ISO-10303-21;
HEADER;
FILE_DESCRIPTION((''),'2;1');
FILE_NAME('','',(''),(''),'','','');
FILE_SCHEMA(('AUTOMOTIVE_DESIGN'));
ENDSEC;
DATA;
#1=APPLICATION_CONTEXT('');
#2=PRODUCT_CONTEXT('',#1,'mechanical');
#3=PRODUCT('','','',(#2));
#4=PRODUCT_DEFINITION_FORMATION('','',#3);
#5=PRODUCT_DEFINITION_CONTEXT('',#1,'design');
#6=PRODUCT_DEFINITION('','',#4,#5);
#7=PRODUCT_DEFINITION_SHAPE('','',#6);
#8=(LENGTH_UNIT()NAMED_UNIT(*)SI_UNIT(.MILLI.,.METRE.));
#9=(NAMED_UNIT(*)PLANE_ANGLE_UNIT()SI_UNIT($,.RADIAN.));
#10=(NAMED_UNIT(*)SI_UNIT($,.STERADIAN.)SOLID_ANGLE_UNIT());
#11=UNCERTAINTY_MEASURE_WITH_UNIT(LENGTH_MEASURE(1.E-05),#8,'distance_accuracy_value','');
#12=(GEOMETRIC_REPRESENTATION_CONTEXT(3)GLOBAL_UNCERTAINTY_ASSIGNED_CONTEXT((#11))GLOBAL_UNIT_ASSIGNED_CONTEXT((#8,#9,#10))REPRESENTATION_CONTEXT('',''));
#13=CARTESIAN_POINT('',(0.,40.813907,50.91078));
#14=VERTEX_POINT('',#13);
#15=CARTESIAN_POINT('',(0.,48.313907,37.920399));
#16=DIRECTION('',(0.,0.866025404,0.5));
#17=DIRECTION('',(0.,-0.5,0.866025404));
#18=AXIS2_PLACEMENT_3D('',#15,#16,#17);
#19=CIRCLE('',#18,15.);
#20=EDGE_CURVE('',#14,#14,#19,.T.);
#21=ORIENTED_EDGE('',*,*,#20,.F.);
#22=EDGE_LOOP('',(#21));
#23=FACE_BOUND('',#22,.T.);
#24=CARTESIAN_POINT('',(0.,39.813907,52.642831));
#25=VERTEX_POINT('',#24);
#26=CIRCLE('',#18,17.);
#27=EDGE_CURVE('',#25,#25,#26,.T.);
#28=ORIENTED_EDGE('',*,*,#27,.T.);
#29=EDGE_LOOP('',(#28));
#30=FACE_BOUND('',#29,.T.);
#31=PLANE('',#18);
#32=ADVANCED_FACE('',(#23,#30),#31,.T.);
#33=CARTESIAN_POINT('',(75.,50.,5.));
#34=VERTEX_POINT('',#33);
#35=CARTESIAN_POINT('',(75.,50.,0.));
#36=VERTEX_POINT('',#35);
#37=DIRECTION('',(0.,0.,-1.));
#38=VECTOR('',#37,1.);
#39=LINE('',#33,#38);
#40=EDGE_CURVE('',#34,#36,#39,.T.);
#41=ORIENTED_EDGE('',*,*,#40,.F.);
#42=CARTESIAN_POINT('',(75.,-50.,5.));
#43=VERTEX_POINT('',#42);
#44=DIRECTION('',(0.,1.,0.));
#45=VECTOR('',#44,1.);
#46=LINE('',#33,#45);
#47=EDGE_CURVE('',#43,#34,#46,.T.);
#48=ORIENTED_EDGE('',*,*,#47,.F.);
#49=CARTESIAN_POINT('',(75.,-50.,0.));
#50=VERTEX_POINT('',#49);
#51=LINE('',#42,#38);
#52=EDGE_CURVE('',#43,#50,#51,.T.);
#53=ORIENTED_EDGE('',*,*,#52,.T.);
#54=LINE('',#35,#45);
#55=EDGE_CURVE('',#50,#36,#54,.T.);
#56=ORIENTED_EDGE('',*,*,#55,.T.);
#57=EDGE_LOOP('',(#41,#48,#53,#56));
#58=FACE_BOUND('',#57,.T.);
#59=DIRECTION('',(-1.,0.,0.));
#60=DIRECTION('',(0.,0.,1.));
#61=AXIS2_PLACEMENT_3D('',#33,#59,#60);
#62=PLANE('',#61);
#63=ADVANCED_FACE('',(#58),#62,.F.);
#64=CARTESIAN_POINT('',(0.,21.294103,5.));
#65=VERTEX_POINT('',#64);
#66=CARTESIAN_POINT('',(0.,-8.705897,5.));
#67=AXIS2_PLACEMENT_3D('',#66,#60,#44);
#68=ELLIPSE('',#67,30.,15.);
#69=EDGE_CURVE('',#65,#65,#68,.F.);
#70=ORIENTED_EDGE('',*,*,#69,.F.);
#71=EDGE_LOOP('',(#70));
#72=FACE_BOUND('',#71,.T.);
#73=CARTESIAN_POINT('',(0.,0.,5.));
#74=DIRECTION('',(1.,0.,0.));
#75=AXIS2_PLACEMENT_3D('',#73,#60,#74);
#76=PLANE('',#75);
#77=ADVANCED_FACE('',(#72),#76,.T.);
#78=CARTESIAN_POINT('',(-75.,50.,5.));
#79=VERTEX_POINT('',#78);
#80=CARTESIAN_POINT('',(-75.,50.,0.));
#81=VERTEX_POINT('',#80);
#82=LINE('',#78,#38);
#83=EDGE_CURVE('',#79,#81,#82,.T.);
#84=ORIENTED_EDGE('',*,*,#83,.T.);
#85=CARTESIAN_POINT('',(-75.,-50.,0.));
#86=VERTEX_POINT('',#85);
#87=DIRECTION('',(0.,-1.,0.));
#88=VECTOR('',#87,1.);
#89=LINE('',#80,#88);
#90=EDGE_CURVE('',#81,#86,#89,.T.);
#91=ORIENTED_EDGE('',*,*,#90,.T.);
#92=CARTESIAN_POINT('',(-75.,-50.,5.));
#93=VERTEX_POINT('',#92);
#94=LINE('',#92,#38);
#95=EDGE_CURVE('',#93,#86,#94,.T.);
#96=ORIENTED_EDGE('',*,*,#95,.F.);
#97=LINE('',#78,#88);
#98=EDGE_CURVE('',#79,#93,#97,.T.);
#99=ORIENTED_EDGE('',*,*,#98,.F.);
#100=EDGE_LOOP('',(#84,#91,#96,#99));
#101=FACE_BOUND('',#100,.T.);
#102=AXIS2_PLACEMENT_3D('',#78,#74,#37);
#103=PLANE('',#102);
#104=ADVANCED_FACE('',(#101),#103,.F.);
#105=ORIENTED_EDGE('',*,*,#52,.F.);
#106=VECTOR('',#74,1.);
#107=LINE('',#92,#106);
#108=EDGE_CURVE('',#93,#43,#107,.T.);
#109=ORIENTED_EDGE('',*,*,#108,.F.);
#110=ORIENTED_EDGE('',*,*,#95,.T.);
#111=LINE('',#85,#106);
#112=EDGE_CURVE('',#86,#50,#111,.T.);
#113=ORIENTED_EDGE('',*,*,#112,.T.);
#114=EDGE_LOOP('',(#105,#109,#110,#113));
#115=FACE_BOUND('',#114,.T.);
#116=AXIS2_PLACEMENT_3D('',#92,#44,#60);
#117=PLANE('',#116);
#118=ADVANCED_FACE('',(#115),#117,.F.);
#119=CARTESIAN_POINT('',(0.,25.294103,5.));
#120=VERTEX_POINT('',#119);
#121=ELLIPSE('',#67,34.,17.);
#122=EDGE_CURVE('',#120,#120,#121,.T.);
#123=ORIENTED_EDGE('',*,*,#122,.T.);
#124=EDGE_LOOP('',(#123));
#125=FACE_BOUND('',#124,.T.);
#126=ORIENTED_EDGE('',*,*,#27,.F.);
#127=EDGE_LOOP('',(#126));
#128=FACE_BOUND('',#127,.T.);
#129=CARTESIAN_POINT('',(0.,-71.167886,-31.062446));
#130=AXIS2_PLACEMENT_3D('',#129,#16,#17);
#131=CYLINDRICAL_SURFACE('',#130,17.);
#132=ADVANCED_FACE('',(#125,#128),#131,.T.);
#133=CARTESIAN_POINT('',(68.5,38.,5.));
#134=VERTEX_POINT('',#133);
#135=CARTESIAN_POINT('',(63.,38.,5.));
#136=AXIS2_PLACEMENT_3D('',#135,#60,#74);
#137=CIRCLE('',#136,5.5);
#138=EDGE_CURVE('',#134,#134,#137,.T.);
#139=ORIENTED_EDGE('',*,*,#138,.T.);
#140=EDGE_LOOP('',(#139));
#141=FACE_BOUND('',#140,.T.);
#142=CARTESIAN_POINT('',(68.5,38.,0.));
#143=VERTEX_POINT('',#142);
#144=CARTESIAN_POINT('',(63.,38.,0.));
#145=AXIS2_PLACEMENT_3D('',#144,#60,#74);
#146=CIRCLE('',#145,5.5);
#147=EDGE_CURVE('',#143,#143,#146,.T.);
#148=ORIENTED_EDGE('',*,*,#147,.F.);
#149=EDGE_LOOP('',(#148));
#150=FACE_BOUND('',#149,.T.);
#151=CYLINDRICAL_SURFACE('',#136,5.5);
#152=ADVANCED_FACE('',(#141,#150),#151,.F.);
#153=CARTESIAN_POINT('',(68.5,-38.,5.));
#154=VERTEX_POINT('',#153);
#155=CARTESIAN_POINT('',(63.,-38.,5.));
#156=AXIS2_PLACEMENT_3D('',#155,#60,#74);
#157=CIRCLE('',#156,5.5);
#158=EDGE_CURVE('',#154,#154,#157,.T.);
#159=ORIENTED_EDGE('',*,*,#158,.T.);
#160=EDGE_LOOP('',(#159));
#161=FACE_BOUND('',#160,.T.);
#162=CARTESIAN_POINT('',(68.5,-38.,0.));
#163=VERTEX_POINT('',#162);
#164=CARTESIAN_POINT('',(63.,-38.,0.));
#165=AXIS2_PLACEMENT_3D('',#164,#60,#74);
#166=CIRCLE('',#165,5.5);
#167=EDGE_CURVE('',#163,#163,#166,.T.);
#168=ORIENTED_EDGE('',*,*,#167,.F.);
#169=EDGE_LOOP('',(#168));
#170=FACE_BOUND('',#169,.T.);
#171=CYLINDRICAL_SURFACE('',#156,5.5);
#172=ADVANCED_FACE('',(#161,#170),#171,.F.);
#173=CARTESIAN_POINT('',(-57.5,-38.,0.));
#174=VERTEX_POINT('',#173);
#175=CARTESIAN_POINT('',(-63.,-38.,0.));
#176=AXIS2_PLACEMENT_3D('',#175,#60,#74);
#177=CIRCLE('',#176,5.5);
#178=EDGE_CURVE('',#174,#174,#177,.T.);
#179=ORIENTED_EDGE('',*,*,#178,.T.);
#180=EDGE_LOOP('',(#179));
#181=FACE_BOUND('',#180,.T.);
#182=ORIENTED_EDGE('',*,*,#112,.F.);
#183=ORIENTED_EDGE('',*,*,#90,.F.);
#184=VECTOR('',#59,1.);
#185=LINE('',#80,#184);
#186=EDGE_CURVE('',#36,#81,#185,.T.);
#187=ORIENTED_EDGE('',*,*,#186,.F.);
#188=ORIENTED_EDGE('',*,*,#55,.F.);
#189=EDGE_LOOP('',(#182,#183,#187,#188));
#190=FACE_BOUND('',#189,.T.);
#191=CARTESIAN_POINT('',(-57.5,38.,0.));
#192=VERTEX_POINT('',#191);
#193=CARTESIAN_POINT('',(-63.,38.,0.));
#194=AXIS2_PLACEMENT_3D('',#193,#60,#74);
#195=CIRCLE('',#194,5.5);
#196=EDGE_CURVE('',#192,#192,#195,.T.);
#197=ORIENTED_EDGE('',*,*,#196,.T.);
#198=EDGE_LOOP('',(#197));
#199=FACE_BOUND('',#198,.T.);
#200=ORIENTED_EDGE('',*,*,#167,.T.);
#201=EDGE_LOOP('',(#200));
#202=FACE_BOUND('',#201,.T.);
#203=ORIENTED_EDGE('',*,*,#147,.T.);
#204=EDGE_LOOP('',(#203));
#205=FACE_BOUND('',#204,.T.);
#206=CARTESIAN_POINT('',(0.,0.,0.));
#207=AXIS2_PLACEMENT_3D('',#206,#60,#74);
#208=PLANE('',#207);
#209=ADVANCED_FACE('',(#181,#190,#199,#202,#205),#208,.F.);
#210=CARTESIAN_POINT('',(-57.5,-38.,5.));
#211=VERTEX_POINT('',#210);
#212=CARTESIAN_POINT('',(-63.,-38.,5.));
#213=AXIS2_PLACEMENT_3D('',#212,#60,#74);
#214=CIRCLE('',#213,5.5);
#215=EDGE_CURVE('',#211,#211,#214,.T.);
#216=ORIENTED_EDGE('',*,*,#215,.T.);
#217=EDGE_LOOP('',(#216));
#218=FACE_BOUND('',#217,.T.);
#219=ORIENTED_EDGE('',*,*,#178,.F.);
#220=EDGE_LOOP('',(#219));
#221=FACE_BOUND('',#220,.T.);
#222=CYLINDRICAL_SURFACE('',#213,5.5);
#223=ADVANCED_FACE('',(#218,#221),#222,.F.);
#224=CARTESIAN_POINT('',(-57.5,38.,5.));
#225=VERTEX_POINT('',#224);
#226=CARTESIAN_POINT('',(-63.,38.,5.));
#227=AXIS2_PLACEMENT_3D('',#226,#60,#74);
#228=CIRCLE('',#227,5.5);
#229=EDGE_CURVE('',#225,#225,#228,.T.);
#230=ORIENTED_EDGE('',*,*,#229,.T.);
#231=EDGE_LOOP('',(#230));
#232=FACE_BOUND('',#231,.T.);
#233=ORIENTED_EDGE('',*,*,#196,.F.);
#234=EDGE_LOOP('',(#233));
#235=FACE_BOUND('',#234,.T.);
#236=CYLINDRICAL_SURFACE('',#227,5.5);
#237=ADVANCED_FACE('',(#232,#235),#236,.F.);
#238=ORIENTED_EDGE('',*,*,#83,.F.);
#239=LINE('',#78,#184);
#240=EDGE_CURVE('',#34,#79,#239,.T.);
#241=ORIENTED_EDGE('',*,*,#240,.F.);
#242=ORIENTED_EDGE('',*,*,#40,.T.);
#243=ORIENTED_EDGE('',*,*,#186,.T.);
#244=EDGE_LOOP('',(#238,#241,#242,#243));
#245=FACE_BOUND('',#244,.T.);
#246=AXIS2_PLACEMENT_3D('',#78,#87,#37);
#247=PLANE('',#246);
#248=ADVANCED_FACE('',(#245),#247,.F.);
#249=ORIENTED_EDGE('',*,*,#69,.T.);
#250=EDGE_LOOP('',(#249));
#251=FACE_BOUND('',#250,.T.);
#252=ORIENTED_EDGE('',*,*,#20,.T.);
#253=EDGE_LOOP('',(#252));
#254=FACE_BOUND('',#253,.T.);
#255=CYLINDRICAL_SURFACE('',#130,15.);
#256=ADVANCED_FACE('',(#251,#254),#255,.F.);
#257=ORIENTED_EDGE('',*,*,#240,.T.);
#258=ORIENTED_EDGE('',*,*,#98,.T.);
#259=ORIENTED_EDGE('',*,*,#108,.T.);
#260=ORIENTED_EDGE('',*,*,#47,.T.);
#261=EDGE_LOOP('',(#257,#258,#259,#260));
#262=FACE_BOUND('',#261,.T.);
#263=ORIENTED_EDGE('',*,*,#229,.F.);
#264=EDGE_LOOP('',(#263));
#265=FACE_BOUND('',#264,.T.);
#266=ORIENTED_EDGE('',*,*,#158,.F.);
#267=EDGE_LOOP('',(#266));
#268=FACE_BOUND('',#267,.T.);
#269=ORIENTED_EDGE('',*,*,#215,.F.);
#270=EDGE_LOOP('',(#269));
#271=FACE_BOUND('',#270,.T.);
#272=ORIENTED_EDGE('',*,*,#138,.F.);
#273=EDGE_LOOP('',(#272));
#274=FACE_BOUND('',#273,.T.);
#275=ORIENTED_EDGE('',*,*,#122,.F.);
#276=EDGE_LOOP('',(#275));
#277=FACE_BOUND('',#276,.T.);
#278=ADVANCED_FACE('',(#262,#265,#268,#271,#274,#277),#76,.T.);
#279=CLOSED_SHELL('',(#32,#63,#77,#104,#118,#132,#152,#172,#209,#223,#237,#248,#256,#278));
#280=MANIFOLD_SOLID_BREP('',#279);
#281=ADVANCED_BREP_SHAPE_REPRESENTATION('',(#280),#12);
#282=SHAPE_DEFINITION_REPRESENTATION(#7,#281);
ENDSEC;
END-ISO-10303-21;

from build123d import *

# Parameters (mm, degrees)
SZKIC1_W                                = 150
SZKIC1_H                                = 100
DODANIE_WYCI_GNI_CIE1_DEPTH             = 5
OTW_R_POD_RUB_M101_D                    = 11
LUSTRO1_AT_THE_SECOND_PLANE_COPY_1_D    = 11
SZKIC4_R                                = 17
SZKIC4_R_2                              = 15
DODANIE_WYCI_GNI_CIE2_DEPTH             = 15
DODANIE_WYCI_GNI_CIE2_DIRECTION_2_REACH = 91.103


with BuildPart() as part:
    # Szkic1 → Dodanie-wyciągnięcie1 (new body)
    with BuildSketch(Plane.XY):
        Rectangle(SZKIC1_W, SZKIC1_H)
    extrude(amount=DODANIE_WYCI_GNI_CIE1_DEPTH)

    # Otwór pod śrubę M101 (through all)
    with Locations(Plane.XY.offset(5)):
        with Locations((-63, 38)):
            otw_r_pod_rub_m101 = Hole(OTW_R_POD_RUB_M101_D / 2)

    # Lustro1: Otwór pod śrubę M101 across plane
    add(otw_r_pod_rub_m101.mirror(Plane.ZX), mode=Mode.SUBTRACT)

    # Lustro1 at the second plane: Otwór pod śrubę M101 across plane
    add(otw_r_pod_rub_m101.mirror(Plane(origin=(0, 0, 0), x_dir=(0, 0, 1), z_dir=(1, 0, 0))), mode=Mode.SUBTRACT)

    # Lustro1 at the second plane copy 1 (through all)
    with Locations(Plane(origin=(0, 0, 5), x_dir=(-1, 0, 0), z_dir=(0, 0, 1))):
        with Locations((-63, 38)):
            Hole(LUSTRO1_AT_THE_SECOND_PLANE_COPY_1_D / 2)

    # Szkic4 → Dodanie-wyciągnięcie2 (add)
    with BuildSketch(Plane(origin=(0, 39.665063509, 22.900635095), x_dir=(-1, 0, 0), z_dir=(0, 0.866025404, 0.5))):
        with Locations(Location((0, 8.683075721, 0), (0, 0, 90))):  # turned: the seam where the file's is
            Circle(SZKIC4_R)
        with Locations(Location((0, 8.683075721, 0), (0, 0, 90))):  # turned: the seam where the file's is
            Circle(SZKIC4_R_2, mode=Mode.SUBTRACT)
    extrude(amount=DODANIE_WYCI_GNI_CIE2_DEPTH)

    # Dodanie-wyciągnięcie2 direction 2: up to this face of the body (flat: up to its plane)
    dodanie_wyci_gni_cie2_direction_2_end = Plane(part.part.faces().sort_by_distance((0, 0, 5))[0])
    # Szkic4 → Dodanie-wyciągnięcie2 direction 2 (add, up to the picked face)
    with BuildSketch(Plane(origin=(0, 39.665063509, 22.900635095), x_dir=(-1, 0, 0), z_dir=(0, 0.866025404, 0.5)), mode=Mode.PRIVATE) as dodanie_wyci_gni_cie2_direction_2_sk1:
        with Locations(Location((0, 8.683075721, 0), (0, 0, 90))):  # turned: the seam where the file's is
            Circle(SZKIC4_R)
        with Locations(Location((0, 8.683075721, 0), (0, 0, 90))):  # turned: the seam where the file's is
            Circle(SZKIC4_R_2, mode=Mode.SUBTRACT)
    dodanie_wyci_gni_cie2_direction_2_tool1 = split(extrude(dodanie_wyci_gni_cie2_direction_2_sk1.sketch, amount=-DODANIE_WYCI_GNI_CIE2_DIRECTION_2_REACH, mode=Mode.PRIVATE), bisect_by=dodanie_wyci_gni_cie2_direction_2_end, keep=Keep.BOTH, mode=Mode.PRIVATE)
    add(dodanie_wyci_gni_cie2_direction_2_tool1.solids().sort_by(Axis((0, 43.583109, 16.114381), (0, -0.866025404, -0.5)))[0])


solid = part.part
